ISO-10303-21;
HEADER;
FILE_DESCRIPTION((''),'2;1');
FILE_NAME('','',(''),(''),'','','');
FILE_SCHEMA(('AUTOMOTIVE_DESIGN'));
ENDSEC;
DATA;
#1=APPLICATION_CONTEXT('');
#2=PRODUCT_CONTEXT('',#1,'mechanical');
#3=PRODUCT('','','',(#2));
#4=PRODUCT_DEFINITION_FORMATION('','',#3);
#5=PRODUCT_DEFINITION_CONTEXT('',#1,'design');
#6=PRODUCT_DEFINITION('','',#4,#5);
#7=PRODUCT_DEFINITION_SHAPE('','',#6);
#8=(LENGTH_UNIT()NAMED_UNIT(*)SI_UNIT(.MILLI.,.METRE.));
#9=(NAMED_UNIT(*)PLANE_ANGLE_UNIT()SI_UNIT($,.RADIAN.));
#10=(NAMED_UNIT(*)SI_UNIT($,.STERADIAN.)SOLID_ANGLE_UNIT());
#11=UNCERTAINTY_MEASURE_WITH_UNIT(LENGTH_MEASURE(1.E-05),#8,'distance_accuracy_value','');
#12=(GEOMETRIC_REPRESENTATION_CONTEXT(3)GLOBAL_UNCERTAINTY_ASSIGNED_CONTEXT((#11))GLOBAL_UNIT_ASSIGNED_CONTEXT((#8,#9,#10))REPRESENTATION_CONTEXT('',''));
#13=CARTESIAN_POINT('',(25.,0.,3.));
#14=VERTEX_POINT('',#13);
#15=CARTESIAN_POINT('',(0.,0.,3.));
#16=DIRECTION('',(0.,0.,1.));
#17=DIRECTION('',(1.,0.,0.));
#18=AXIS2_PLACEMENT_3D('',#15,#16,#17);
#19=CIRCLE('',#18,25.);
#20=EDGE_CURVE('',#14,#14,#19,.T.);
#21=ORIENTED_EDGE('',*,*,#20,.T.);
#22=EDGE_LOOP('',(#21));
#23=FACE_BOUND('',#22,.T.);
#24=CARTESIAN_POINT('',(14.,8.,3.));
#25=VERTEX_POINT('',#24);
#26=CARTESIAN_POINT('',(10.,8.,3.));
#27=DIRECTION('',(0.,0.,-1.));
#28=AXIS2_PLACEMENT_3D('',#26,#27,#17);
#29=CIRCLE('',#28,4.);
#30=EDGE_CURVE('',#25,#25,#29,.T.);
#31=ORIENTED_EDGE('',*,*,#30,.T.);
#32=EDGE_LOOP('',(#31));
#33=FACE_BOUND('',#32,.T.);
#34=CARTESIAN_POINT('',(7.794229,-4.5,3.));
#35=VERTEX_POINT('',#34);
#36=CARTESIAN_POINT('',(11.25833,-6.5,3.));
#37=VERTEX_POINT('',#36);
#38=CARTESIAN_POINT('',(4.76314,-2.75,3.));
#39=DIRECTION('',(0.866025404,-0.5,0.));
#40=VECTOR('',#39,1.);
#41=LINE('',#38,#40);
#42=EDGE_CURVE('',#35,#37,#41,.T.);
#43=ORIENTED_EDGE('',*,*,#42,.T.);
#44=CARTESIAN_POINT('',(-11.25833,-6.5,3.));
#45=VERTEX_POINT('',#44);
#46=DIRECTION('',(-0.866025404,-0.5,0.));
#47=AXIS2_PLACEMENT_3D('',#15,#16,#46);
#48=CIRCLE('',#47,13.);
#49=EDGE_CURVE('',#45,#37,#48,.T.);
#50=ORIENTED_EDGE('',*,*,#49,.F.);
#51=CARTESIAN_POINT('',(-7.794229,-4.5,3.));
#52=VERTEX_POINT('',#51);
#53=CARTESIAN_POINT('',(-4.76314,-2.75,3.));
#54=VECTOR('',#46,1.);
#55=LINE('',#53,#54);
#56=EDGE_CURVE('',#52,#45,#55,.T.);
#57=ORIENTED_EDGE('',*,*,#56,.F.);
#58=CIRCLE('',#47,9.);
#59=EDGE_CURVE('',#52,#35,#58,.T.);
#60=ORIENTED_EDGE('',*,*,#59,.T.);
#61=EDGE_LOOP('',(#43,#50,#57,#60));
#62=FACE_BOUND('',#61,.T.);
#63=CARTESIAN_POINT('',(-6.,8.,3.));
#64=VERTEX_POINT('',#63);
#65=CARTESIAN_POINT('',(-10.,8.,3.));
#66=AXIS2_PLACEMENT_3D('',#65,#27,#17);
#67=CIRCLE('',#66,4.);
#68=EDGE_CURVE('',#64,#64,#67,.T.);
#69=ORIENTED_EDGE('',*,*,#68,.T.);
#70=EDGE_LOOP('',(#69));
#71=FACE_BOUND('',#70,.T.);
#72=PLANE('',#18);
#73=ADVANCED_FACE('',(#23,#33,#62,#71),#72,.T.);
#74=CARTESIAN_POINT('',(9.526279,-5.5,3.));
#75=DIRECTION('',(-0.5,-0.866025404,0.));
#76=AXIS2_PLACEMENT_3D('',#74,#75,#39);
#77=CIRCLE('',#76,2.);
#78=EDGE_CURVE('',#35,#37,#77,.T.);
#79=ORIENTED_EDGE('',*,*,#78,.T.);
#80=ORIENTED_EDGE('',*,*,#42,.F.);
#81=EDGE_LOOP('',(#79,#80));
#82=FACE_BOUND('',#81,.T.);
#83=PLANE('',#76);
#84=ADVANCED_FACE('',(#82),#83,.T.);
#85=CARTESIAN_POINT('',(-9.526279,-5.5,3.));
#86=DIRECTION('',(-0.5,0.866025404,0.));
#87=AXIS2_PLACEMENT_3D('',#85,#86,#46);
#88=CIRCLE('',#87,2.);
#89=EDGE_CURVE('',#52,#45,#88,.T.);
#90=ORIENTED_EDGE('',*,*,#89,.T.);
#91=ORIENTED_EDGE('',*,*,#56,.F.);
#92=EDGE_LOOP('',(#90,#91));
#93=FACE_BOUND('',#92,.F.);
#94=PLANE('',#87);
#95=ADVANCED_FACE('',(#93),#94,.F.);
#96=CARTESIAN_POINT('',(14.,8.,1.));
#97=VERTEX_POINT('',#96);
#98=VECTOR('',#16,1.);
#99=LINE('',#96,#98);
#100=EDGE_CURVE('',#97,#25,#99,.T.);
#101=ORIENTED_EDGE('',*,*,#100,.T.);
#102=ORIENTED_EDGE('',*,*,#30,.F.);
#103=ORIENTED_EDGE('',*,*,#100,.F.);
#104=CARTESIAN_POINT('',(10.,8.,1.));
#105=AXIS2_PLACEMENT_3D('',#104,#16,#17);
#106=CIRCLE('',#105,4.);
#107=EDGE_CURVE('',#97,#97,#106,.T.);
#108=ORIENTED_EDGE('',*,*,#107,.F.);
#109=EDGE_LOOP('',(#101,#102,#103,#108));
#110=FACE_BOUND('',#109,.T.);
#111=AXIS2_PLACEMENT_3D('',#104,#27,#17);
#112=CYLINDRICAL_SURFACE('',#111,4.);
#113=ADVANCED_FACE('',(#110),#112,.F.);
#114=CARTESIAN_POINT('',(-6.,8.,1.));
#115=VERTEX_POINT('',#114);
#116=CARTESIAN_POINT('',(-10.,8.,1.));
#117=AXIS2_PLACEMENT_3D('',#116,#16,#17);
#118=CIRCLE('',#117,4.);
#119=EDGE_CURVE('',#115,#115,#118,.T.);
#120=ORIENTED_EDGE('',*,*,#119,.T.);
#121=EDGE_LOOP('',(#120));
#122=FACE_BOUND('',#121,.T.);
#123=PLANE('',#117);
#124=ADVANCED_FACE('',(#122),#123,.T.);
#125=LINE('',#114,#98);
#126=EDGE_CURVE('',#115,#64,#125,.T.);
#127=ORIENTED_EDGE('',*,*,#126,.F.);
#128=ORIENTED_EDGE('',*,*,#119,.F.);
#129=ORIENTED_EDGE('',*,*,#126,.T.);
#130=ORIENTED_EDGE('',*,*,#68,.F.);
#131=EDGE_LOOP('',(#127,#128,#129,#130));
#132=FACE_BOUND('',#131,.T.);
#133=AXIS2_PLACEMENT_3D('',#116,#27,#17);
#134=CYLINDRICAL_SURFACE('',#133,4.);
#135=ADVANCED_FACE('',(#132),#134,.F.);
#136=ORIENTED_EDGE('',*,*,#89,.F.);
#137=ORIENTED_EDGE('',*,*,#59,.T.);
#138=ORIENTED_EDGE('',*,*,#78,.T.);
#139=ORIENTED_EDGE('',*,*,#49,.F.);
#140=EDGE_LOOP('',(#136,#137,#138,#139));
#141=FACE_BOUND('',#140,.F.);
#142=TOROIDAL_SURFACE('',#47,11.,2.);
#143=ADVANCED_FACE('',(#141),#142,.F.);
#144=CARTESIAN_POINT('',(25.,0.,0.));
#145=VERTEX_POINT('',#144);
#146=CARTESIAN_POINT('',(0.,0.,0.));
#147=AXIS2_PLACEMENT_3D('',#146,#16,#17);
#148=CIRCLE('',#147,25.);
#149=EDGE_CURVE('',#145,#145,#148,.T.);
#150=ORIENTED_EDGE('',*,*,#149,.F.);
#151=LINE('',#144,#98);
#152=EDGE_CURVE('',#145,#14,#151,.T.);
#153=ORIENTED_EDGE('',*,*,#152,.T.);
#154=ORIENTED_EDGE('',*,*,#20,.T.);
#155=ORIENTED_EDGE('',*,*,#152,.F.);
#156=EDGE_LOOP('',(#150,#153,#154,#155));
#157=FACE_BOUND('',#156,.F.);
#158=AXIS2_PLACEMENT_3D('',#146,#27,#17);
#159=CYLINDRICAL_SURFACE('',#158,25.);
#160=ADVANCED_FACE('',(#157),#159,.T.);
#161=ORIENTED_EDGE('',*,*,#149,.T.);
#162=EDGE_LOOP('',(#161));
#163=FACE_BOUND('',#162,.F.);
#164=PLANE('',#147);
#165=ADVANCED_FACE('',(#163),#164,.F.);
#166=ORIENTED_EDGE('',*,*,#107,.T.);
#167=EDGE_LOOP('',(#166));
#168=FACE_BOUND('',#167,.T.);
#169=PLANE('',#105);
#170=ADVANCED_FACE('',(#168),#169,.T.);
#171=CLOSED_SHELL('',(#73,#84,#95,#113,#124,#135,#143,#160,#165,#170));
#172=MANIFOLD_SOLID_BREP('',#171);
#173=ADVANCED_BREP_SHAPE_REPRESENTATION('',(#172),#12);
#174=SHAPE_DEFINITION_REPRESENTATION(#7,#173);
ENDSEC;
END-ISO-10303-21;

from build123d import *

# Parameters (mm, degrees)
TORUS_R               = 2
TORUS_ANGLE           = 120
TORUS_PLACEMENT_ANGLE = 210
CYLINDER002_R         = 4
CYLINDER002_DEPTH     = 10
CYLINDER001_R         = 4
CYLINDER001_DEPTH     = 10
CYLINDER_R            = 25
CYLINDER_DEPTH        = 3


with BuildPart() as boca:
    # Torus → Torus (revolve)
    with BuildSketch(Plane.XZ):
        with Locations((11, 0)):
            Circle(TORUS_R)
    revolve(axis=Axis((0, 0, 0), (0, 0, 1)), revolution_arc=TORUS_ANGLE)


with BuildPart() as boca_1:
    # Torus placement: moved
    add(boca.part.moved(Location((0, 0, 3))).rotate(Axis((0, 0, 3), (0, 0, 1)), TORUS_PLACEMENT_ANGLE))


with BuildPart() as ojo_der:
    # Cylinder002 → Cylinder002 (new body)
    with BuildSketch(Plane(origin=(10, 8, 0), x_dir=(1, 0, 0), z_dir=(0, 0, 1))):
        Circle(CYLINDER002_R)
    extrude(amount=CYLINDER002_DEPTH)


with BuildPart() as ojos:
    # Cylinder001 → Cylinder001 (new body)
    with BuildSketch(Plane(origin=(-10, 8, 0), x_dir=(1, 0, 0), z_dir=(0, 0, 1))):
        Circle(CYLINDER001_R)
    extrude(amount=CYLINDER001_DEPTH)

    # Fusion: union ojo_der
    add(ojo_der.part)


with BuildPart() as ojos_1:
    # Fusion placement: moved
    add(ojos.part.moved(Location((0, 0, 1))))


with BuildPart() as acid_house:
    # Cylinder → Cylinder (new body)
    with BuildSketch(Plane.XY):
        Circle(CYLINDER_R)
    extrude(amount=CYLINDER_DEPTH)

    # Cut: cut ojos
    add(ojos_1.part, mode=Mode.SUBTRACT)

    # Cut001: cut boca
    add(boca_1.part, mode=Mode.SUBTRACT)


solid = acid_house.part
